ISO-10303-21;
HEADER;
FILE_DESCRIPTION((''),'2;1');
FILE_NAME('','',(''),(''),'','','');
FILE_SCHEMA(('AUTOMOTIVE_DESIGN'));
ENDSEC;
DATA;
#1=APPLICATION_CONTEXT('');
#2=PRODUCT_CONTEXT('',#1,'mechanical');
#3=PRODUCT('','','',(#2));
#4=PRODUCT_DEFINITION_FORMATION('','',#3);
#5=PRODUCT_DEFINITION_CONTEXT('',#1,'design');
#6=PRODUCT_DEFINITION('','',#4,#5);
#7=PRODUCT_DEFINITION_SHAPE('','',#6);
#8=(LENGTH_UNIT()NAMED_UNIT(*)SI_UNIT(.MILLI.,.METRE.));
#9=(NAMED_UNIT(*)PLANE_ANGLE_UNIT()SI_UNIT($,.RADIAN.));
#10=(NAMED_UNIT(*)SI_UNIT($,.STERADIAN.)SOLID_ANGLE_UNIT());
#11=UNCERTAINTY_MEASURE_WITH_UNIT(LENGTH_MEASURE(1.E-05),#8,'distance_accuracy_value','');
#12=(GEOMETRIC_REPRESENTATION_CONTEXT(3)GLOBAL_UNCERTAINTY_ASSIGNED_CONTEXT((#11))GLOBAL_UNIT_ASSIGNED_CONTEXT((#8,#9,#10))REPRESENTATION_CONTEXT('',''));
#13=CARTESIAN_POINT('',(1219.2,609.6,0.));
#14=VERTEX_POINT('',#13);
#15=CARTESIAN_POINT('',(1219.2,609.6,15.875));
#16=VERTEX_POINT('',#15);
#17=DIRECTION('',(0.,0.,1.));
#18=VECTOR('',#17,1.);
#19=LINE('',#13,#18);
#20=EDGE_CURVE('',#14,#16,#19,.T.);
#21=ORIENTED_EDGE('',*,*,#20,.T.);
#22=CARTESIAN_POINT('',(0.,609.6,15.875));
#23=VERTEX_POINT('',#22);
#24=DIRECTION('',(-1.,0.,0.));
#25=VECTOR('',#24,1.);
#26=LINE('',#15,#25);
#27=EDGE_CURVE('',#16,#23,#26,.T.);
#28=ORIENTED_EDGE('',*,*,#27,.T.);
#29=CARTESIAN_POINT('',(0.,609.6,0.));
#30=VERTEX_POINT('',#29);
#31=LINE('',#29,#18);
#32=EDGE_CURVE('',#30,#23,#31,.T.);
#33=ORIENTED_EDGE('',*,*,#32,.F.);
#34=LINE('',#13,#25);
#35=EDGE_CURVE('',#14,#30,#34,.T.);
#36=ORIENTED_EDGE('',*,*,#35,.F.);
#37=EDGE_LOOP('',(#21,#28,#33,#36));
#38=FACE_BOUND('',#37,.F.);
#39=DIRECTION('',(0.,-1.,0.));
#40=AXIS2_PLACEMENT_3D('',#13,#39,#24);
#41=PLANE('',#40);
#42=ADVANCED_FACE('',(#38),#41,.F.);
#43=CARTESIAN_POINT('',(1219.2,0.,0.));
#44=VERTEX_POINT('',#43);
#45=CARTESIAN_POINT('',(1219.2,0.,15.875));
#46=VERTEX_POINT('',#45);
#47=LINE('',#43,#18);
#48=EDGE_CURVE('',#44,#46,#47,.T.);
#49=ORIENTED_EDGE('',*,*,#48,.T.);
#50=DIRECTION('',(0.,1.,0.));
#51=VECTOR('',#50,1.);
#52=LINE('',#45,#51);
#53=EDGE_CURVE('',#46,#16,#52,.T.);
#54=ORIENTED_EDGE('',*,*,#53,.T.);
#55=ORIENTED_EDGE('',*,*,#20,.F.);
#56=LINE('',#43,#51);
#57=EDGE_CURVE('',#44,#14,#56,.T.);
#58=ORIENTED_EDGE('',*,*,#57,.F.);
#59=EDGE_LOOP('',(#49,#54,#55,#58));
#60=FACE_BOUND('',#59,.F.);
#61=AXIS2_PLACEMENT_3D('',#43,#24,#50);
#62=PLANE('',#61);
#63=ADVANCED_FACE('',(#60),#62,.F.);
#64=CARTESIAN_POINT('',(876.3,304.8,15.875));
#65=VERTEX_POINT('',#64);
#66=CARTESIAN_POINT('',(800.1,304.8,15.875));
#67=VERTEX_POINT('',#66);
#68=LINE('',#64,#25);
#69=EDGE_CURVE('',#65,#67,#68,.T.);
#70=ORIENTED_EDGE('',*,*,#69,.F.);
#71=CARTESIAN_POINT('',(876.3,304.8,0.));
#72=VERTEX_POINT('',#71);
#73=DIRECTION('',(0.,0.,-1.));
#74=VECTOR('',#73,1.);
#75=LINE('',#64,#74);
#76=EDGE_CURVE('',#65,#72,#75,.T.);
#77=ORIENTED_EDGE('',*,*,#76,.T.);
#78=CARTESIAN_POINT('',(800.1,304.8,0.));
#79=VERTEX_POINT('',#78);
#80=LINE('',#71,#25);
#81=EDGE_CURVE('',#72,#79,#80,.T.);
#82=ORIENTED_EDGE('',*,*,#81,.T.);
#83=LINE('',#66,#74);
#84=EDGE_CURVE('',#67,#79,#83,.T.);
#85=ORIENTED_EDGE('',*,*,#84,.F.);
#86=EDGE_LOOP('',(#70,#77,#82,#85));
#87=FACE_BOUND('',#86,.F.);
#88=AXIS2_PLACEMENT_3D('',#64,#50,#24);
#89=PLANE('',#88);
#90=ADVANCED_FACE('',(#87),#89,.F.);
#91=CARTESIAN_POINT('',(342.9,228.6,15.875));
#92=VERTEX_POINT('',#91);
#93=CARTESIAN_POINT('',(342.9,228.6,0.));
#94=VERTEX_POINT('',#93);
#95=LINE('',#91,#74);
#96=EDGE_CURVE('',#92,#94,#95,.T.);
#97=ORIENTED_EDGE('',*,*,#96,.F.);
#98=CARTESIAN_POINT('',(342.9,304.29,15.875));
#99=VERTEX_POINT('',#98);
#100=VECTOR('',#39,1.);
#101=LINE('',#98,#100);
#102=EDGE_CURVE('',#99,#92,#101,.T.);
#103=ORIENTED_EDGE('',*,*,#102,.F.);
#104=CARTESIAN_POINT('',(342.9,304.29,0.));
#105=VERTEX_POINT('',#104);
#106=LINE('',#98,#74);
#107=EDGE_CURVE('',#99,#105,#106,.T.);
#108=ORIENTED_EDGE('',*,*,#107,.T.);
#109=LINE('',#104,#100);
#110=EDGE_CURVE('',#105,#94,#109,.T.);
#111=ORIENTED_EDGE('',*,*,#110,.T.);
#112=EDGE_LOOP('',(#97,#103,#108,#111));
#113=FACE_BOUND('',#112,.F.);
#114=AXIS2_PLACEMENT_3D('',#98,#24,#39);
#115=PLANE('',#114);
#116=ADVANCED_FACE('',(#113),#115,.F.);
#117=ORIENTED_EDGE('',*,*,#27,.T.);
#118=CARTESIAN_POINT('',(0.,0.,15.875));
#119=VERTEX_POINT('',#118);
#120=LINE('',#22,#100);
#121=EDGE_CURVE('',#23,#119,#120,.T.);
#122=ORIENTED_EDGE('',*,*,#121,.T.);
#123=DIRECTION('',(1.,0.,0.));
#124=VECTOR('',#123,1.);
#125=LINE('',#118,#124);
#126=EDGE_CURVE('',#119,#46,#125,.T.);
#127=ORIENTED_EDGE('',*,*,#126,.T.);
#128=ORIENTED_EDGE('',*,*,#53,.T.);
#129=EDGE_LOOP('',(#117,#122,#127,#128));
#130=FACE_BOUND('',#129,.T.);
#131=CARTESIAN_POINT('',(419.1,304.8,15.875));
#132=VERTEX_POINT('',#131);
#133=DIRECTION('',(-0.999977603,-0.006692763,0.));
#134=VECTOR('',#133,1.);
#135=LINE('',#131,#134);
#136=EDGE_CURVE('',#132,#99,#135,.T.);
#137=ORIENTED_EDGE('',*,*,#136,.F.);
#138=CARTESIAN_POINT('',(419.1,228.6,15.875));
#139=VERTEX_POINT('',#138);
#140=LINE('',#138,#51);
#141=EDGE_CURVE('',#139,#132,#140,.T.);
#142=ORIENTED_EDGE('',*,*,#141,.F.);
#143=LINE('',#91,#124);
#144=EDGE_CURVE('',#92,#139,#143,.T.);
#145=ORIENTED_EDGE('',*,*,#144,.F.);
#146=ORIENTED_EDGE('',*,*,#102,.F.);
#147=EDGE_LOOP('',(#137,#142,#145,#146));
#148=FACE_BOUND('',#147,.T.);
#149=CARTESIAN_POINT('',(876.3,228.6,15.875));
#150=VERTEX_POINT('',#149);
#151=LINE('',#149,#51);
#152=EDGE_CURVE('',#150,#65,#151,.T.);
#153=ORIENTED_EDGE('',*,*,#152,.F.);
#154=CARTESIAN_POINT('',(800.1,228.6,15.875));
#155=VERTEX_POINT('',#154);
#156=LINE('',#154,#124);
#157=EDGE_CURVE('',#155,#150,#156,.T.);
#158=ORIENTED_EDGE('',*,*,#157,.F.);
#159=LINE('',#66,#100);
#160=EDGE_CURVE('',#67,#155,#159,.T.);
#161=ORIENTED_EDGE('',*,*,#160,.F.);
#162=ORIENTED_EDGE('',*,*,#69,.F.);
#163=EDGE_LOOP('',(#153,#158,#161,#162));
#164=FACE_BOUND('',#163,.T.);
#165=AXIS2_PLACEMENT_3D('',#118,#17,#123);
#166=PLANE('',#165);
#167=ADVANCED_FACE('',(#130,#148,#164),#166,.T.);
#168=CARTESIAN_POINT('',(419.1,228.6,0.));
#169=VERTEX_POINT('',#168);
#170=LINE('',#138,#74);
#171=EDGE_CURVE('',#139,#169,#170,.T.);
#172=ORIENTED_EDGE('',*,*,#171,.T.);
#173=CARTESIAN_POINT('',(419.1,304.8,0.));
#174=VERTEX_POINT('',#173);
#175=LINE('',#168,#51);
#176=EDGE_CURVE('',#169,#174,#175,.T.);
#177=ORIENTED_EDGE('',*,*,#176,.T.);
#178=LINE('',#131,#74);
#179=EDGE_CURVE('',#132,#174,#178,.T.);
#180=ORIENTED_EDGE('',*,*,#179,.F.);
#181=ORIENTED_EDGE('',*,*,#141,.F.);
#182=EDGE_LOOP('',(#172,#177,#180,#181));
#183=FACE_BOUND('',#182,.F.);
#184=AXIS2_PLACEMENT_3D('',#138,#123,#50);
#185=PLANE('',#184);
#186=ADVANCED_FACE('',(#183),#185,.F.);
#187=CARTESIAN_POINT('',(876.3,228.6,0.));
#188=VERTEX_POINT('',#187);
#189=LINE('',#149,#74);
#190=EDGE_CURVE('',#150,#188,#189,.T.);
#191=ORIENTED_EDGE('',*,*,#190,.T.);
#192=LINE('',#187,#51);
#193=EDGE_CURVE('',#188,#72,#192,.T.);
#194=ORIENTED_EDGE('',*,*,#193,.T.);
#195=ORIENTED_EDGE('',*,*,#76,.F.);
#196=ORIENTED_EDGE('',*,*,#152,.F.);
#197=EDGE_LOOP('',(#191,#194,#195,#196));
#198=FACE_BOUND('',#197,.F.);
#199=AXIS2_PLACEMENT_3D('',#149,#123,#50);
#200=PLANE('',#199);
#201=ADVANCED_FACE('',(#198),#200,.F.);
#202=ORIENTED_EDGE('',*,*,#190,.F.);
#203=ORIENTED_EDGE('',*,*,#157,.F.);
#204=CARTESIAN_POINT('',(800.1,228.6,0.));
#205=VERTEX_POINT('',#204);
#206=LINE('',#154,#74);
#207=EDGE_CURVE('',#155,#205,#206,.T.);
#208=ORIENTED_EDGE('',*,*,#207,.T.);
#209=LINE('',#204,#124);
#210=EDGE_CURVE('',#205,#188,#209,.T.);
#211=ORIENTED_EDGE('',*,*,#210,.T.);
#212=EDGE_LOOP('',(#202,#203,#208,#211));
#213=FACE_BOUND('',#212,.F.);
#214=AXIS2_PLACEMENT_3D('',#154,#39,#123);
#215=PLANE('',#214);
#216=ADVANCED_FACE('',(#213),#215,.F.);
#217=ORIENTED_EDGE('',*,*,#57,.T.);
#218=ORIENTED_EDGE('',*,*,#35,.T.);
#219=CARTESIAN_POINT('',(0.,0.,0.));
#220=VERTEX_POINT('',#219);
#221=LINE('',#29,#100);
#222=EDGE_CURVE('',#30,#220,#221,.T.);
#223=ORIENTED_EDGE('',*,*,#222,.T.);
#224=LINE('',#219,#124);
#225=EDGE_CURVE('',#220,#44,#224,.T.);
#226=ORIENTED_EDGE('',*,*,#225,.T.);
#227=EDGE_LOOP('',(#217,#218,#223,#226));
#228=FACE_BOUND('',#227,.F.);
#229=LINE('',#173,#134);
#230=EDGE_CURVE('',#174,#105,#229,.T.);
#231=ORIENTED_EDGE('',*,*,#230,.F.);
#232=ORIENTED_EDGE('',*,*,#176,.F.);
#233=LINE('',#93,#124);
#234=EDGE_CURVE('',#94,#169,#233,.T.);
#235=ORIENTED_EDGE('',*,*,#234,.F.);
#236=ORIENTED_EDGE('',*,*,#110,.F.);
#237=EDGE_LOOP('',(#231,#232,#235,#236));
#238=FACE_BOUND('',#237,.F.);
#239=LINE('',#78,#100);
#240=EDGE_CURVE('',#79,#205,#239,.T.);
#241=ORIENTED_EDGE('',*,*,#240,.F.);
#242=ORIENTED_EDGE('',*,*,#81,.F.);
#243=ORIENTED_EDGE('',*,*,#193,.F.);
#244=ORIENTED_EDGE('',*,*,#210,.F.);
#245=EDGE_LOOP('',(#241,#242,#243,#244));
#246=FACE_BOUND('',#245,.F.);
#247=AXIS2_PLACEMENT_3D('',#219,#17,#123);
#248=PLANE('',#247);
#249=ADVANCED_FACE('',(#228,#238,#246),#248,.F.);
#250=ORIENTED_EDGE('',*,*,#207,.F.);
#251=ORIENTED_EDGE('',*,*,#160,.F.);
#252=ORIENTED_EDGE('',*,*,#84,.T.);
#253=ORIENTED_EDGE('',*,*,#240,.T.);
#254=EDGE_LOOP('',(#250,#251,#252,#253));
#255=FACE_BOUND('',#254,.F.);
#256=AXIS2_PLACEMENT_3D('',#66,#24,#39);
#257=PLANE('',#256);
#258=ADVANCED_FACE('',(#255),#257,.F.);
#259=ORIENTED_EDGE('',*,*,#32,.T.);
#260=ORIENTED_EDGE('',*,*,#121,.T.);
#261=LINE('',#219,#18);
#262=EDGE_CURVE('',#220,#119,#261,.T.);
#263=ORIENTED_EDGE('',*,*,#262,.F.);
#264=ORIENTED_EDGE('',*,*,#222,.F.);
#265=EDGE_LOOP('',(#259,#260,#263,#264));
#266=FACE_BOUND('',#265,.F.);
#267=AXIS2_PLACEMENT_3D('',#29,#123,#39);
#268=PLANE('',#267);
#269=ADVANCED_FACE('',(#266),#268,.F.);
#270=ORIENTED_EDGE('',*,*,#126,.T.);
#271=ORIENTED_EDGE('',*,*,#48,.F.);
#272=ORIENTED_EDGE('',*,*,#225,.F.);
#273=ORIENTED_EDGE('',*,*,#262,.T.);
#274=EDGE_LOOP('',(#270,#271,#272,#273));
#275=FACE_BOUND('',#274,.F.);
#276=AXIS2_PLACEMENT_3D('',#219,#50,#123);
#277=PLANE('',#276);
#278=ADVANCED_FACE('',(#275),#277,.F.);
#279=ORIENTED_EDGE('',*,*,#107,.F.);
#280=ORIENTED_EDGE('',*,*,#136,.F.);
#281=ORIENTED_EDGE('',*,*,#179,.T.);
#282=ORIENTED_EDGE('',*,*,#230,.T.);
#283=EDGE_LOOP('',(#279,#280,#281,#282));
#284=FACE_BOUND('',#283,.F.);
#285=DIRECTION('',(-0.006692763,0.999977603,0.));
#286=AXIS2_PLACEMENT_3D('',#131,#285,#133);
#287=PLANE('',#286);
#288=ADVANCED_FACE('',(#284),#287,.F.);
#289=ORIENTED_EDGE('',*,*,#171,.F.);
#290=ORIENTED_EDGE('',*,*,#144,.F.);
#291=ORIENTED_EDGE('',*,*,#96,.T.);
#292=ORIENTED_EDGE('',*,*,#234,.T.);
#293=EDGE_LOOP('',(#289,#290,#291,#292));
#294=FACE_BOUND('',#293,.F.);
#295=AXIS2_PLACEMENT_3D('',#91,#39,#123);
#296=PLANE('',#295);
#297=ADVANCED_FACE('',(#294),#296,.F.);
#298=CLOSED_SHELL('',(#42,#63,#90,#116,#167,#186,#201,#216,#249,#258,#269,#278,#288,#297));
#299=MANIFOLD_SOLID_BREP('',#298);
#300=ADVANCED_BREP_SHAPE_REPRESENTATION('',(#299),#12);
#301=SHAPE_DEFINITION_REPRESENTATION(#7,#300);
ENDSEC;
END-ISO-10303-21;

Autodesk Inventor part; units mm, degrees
ref_plane "YZ Plane" through (0, 0, 0) normal (1, 0, 0) x (0, 1, 0)
ref_plane "XZ Plane" through (0, 0, 0) normal (0, 1, 0) x (-1, 0, 0)
ref_plane "XY Plane" through (0, 0, 0) normal (0, 0, 1) x (1, 0, 0)
sketch "Sketch1" plane through (0, 0, 0) normal (0, 0, 1) x (1, 0, 0)
  line L0 (0, 0) -> (1219.2, 0)
  line L1 (1219.2, 0) -> (1219.2, 609.6)
  line L2 (1219.2, 609.6) -> (0, 609.6)
  line L3 (0, 609.6) -> (0, 0)
  dimension "d0" = 1219.2
  dimension "d1" = 609.6
extrude "Extrusion1" add sketch "Sketch1" along normal blind 15.875
sketch "Sketch2" plane through (0, 0, 15.875) normal (0, 0, 1) x (1, 0, 0)
  line L0 (342.9, 228.6) -> (419.1, 228.6)
  line L1 (419.1, 228.6) -> (419.1, 304.8)
  line L2 (419.1, 304.8) -> (342.9, 304.29)
  line L3 (342.9, 304.29) -> (342.9, 228.6)
  line L4 (876.3, 228.6) -> (876.3, 304.8)
  line L5 (876.3, 304.8) -> (800.1, 304.8)
  line L6 (800.1, 304.8) -> (800.1, 228.6)
  line L7 (800.1, 228.6) -> (876.3, 228.6)
  dimension "d13" = 76.2
  dimension "d15" = 76.2
  dimension "d16" = 76.2
  dimension "d17" = 76.2
extrude "Extrusion2" cut sketch "Sketch2" against normal blind 15.875
properties part number "model 1 window board"
